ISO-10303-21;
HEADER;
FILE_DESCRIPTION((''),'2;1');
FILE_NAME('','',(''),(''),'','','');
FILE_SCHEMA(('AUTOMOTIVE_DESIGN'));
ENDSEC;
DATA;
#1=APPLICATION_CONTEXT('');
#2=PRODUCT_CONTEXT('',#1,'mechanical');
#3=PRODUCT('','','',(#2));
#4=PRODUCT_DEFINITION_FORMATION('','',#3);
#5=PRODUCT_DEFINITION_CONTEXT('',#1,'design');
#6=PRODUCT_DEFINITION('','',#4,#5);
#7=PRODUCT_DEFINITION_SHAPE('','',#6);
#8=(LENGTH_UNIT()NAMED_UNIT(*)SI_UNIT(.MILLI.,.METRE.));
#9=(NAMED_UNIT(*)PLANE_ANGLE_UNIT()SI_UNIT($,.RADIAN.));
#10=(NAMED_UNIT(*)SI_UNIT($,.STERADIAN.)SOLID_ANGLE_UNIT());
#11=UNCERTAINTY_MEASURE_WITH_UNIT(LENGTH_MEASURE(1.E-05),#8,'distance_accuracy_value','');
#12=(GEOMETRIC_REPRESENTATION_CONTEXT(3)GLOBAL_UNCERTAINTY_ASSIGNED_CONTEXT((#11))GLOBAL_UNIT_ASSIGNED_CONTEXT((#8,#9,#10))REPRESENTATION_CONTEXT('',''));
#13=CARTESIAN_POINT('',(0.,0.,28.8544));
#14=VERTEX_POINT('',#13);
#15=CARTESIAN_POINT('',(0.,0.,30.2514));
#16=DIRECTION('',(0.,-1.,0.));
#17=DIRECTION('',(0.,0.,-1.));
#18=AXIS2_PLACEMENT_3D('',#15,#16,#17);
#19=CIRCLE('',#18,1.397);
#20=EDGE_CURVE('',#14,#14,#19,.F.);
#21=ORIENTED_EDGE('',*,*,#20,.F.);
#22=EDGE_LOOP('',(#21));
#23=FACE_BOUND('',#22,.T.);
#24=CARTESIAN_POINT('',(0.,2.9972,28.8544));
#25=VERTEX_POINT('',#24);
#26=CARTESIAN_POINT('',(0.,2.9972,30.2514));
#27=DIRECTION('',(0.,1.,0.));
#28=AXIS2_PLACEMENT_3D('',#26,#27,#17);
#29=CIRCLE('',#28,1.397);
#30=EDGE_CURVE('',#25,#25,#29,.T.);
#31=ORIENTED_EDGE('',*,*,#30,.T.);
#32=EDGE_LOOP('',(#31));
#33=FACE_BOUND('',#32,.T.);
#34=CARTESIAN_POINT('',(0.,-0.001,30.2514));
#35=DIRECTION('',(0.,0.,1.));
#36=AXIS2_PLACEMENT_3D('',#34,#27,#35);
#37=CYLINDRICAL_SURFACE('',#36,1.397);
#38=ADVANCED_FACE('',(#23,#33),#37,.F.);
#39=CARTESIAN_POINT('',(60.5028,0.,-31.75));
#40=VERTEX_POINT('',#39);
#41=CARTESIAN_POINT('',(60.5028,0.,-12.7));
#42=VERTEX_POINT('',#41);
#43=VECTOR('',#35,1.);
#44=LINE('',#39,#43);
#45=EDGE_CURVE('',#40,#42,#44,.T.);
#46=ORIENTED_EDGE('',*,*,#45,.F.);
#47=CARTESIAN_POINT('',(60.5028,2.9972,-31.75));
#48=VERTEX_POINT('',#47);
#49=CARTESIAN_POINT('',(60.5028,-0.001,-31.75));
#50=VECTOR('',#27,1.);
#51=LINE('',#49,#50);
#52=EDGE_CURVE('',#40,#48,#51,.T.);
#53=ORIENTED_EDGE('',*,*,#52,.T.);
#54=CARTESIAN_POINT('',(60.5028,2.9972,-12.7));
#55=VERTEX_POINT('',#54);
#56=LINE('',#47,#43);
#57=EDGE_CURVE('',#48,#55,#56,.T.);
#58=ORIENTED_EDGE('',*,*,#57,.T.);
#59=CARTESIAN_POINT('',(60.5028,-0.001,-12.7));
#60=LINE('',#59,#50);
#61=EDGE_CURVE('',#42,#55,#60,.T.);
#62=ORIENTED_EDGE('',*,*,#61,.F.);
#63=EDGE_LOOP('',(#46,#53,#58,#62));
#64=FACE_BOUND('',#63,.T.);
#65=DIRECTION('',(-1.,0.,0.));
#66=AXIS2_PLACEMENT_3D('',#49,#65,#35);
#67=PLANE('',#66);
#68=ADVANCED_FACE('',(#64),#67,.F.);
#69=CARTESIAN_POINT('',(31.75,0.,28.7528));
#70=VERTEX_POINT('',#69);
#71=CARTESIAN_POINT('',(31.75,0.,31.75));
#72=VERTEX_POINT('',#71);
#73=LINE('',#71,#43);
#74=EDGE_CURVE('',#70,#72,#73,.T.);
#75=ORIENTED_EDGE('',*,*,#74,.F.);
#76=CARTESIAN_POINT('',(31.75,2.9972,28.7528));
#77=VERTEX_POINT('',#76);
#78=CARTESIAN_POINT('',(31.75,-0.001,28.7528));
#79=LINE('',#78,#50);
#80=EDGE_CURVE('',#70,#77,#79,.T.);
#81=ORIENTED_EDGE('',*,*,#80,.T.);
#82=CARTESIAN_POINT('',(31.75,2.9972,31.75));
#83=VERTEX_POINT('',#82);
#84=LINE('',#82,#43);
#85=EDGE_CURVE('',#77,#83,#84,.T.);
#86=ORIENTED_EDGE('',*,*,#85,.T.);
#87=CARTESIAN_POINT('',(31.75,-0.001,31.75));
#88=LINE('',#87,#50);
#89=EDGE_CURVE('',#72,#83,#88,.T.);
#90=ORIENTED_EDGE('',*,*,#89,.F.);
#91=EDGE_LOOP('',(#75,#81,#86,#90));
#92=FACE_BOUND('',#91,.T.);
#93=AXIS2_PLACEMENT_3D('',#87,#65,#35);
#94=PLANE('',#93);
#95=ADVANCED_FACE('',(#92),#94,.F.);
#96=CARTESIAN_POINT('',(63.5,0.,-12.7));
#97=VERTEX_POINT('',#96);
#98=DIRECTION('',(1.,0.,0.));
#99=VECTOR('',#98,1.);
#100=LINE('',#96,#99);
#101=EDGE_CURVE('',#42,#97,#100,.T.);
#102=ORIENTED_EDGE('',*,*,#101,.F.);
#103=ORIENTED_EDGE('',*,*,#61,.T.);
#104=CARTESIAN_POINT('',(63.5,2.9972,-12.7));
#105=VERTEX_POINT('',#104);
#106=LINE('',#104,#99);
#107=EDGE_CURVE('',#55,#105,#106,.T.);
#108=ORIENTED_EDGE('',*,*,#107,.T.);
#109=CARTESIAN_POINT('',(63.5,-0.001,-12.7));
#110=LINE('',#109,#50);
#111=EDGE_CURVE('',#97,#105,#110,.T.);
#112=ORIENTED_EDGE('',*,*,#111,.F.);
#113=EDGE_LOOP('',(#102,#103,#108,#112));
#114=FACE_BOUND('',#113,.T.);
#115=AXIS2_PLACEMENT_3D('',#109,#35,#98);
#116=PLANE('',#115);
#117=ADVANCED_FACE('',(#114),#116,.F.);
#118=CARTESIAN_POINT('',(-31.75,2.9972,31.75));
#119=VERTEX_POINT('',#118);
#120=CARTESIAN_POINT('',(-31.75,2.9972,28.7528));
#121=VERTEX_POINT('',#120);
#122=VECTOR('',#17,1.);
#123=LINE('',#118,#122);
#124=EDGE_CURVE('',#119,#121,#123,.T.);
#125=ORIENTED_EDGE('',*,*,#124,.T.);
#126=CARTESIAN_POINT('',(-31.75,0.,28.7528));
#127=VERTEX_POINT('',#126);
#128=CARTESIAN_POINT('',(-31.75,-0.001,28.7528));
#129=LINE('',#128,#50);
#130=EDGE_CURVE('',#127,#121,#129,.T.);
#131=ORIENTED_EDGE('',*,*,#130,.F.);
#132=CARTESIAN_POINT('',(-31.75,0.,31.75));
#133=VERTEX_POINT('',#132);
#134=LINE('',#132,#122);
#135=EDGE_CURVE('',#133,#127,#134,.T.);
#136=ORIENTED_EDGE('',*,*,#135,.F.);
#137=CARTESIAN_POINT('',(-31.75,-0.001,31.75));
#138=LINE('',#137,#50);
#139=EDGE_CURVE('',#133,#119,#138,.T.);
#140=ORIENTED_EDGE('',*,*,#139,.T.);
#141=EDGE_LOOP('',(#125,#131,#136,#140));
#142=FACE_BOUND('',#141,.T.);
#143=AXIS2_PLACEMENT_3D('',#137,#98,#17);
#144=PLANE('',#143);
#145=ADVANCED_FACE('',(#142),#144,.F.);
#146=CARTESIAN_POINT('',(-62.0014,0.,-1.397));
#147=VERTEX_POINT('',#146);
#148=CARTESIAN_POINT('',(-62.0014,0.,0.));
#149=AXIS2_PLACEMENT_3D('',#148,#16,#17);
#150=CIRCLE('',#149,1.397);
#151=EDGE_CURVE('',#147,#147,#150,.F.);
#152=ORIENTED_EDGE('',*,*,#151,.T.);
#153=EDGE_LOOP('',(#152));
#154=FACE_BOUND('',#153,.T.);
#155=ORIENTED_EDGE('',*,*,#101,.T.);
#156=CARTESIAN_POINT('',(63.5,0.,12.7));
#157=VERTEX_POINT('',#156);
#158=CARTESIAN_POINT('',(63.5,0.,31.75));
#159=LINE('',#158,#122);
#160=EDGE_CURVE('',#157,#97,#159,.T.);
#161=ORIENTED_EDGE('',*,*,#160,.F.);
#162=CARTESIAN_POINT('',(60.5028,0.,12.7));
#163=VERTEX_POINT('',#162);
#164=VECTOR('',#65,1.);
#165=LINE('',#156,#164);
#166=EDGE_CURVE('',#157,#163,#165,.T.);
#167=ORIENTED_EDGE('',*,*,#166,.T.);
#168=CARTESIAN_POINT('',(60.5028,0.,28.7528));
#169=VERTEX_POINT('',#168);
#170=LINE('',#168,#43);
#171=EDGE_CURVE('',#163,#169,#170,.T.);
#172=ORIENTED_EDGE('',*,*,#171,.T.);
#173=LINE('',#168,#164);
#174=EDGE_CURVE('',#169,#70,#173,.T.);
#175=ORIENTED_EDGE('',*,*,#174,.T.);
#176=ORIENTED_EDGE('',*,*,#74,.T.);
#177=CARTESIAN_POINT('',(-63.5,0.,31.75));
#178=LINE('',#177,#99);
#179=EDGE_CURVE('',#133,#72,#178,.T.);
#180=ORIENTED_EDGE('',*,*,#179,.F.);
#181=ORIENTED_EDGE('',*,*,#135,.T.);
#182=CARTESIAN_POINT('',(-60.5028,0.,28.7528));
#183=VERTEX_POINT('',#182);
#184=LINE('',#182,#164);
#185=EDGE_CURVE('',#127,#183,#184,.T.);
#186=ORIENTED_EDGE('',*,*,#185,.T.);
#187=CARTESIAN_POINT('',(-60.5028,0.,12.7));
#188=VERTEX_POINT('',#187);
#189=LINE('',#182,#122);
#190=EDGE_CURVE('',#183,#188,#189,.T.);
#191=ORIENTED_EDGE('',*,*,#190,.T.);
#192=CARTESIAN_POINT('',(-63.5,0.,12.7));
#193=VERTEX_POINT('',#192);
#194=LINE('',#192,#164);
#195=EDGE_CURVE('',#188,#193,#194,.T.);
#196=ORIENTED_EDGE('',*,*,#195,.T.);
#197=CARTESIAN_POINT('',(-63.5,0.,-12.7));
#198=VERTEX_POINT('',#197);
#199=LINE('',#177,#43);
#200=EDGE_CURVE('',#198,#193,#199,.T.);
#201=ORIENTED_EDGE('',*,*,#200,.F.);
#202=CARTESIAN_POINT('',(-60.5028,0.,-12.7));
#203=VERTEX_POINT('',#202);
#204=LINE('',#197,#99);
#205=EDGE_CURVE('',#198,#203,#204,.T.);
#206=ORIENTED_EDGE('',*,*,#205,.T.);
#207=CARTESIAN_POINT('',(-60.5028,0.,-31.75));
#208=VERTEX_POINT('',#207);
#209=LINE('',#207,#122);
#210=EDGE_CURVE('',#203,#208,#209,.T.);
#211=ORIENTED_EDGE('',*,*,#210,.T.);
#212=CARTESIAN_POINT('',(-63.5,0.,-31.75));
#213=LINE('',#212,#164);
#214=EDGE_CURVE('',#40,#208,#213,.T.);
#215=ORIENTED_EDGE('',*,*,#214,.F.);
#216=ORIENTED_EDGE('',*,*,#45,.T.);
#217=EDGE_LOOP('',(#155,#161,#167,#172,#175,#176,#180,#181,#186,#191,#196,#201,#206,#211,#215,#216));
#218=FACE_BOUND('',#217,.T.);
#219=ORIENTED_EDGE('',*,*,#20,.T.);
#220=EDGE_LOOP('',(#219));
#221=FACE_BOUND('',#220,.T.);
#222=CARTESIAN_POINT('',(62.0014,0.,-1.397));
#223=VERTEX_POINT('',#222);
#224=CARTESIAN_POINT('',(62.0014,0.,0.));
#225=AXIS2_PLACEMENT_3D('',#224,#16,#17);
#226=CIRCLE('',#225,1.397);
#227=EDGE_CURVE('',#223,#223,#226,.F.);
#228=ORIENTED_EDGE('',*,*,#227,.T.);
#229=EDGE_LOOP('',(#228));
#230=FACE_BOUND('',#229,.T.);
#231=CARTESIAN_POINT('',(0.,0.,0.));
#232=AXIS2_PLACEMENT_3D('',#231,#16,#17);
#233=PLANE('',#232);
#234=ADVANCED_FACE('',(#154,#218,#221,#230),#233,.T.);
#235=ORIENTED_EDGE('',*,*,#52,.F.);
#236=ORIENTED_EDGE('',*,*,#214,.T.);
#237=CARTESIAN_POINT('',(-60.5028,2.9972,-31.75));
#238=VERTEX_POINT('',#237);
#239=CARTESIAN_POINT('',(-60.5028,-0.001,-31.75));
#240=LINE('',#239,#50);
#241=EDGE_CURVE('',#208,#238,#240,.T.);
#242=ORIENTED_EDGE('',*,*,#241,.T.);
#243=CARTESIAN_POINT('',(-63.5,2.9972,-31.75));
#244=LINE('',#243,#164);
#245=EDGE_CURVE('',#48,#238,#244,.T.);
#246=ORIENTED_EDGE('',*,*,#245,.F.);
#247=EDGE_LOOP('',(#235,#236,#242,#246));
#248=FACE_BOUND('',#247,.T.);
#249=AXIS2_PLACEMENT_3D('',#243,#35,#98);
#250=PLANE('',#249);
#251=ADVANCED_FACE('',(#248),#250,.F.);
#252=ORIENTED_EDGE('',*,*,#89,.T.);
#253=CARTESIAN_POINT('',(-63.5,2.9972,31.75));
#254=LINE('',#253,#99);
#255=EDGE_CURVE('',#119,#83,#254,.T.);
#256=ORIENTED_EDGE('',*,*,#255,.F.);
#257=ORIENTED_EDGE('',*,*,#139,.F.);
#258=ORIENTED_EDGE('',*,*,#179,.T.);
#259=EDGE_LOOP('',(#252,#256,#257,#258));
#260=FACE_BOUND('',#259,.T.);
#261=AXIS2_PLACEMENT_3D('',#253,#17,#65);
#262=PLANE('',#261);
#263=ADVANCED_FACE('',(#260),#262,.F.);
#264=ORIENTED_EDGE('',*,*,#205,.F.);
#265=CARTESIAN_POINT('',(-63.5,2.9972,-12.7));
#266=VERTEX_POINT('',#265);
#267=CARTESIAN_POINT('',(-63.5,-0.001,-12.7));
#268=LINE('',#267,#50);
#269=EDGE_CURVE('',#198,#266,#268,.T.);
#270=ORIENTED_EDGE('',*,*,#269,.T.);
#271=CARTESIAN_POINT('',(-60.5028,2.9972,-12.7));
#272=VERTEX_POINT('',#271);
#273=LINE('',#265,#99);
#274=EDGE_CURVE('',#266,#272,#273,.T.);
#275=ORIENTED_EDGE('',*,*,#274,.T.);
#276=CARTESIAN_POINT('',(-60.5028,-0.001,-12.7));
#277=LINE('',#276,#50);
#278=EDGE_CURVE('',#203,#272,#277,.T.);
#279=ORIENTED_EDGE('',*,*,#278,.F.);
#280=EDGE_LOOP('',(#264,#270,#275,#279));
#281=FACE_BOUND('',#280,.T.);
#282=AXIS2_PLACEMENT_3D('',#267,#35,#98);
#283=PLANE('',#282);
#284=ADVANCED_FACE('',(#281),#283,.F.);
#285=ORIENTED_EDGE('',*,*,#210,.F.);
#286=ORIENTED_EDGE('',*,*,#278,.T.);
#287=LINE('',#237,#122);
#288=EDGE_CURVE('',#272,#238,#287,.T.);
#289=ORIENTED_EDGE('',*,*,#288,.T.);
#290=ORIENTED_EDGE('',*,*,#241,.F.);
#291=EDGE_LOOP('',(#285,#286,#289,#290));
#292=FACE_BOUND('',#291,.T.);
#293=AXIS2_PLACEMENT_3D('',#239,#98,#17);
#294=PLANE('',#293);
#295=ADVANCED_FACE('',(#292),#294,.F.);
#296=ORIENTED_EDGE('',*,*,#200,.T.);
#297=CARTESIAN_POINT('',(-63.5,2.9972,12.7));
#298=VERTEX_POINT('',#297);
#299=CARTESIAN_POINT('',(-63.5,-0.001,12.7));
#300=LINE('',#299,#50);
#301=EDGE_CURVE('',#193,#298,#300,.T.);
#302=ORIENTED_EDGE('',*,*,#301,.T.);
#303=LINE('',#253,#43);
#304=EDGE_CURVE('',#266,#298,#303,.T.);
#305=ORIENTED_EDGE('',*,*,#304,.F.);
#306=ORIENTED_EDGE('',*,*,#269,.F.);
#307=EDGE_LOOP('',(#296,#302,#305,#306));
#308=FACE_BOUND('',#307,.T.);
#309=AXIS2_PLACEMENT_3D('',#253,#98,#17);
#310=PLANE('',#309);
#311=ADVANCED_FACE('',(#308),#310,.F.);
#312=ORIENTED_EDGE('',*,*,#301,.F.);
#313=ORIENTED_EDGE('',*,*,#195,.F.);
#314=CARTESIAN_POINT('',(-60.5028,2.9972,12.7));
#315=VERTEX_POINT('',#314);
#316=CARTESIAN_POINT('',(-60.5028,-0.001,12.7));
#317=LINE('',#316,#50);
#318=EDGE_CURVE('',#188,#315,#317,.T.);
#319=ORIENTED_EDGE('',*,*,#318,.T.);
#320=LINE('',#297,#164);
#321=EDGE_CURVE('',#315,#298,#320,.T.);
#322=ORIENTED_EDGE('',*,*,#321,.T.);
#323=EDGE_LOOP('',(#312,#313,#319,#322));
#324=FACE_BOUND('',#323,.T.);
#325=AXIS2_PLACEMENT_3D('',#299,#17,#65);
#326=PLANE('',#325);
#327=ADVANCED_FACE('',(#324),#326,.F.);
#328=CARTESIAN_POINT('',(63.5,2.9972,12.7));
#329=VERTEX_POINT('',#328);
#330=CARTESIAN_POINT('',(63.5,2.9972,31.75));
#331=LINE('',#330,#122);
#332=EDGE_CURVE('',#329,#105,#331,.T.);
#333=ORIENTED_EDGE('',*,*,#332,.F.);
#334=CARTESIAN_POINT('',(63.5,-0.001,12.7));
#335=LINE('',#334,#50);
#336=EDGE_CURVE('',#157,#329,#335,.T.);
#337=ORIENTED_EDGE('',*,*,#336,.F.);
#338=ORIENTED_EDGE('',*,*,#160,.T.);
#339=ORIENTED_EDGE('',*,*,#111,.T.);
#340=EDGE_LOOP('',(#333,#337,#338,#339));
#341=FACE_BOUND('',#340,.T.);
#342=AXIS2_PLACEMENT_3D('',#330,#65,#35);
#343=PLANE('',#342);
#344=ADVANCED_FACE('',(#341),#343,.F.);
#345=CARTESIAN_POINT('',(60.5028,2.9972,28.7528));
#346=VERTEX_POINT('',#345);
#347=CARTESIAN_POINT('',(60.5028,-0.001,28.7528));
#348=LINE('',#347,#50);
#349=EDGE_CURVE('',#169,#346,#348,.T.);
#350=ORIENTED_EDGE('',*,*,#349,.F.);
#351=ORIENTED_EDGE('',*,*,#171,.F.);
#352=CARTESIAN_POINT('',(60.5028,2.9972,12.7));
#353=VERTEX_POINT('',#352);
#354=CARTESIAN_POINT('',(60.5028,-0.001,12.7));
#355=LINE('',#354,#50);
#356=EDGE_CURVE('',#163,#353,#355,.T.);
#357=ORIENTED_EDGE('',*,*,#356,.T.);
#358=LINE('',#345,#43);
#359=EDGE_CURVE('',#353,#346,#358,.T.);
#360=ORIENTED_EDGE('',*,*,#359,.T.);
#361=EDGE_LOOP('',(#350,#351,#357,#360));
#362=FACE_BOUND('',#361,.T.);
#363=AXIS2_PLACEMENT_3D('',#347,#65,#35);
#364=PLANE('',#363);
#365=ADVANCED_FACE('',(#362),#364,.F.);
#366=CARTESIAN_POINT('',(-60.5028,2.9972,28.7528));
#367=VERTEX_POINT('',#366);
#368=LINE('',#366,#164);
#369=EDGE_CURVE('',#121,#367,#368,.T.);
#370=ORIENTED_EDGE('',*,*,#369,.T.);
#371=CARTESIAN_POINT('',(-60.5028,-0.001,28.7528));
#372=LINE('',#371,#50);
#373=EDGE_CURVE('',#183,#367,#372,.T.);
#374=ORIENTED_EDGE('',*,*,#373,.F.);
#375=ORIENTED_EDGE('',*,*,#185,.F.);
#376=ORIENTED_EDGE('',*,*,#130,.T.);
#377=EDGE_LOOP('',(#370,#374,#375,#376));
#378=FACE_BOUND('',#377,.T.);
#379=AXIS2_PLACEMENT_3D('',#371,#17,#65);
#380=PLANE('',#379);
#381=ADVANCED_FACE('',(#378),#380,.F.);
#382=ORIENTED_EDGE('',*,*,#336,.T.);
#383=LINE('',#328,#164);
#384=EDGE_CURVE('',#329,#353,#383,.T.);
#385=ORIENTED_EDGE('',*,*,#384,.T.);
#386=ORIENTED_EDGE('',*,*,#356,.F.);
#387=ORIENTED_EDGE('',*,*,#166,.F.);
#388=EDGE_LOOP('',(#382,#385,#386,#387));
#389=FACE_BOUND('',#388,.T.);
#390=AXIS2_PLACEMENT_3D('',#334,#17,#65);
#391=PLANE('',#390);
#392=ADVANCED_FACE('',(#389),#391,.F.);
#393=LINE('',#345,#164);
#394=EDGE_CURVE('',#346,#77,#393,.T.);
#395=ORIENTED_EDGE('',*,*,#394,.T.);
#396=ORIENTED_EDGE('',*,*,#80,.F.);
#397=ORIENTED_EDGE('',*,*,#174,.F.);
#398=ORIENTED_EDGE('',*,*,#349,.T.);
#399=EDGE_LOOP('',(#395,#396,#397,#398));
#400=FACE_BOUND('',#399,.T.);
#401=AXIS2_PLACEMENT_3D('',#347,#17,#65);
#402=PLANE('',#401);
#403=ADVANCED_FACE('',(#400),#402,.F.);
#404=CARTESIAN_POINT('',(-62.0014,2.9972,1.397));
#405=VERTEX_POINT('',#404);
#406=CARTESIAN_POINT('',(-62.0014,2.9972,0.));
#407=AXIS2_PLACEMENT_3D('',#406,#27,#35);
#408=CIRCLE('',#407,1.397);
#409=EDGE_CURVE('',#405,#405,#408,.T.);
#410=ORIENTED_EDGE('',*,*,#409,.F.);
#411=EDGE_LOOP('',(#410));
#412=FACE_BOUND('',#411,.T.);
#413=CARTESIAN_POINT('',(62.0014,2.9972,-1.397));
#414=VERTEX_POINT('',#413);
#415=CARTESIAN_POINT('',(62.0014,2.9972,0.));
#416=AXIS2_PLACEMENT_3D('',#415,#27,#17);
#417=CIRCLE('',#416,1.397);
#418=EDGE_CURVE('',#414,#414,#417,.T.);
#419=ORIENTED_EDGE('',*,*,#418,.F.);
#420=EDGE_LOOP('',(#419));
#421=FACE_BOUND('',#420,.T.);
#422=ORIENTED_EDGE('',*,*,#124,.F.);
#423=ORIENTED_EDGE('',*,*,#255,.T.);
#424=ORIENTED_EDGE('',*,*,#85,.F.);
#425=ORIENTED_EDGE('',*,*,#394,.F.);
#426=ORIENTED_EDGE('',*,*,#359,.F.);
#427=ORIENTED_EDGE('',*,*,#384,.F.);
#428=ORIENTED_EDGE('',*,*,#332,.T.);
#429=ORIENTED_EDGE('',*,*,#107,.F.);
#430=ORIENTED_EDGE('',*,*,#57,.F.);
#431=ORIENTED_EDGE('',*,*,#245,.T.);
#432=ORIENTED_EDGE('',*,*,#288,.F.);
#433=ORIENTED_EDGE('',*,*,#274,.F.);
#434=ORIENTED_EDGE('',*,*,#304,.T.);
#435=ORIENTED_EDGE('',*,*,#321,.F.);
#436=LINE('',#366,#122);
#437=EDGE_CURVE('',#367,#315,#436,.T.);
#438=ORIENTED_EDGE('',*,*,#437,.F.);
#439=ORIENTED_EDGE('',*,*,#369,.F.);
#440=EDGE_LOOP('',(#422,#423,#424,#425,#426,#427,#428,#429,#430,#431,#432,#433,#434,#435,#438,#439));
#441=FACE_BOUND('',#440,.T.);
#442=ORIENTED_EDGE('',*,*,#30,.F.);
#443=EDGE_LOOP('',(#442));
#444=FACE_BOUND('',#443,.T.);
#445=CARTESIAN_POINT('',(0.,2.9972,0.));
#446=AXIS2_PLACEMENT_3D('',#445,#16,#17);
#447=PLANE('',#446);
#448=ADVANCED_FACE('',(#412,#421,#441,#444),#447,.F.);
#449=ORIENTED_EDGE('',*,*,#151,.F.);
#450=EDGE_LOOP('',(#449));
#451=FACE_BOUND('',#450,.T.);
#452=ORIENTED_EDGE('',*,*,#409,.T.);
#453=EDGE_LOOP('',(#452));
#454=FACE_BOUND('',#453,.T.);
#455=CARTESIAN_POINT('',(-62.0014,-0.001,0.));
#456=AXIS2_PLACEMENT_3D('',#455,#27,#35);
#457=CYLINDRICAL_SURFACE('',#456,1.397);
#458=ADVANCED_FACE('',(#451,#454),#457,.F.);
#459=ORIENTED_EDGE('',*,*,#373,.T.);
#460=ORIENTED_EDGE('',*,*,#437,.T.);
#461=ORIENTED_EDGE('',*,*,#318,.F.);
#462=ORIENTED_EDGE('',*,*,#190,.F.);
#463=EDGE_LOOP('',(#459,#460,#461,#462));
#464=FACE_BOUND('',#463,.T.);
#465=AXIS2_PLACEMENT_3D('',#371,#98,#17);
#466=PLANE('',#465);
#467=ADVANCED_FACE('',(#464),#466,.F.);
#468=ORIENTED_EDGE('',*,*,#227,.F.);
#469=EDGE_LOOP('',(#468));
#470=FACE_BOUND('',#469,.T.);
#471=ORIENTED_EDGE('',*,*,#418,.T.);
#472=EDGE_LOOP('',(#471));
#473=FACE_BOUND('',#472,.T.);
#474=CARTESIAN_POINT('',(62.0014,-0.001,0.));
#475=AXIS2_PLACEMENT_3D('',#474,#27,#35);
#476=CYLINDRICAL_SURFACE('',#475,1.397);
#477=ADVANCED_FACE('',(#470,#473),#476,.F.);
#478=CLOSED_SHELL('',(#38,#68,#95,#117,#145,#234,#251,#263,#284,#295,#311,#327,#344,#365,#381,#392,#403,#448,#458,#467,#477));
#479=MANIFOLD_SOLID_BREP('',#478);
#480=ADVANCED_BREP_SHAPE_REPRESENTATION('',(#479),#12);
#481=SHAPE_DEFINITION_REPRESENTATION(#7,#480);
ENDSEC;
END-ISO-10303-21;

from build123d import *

# Parameters (mm, degrees)
SKETCH1_W           = 127
SKETCH1_H           = 63.5
BOSS_EXTRUDE1_DEPTH = 2.9972
CUT_EXTRUDE1_REACH  = 73.058
SKETCH2_R           = 1.397
SKETCH2_W           = 2.9972
SKETCH2_H           = 19.05


with BuildPart() as part:
    # Sketch1 → Boss-Extrude1 (new body)
    with BuildSketch(Plane(origin=(0, 0, 0), x_dir=(1, 0, 0), z_dir=(0, 1, 0))):
        Rectangle(SKETCH1_W, SKETCH1_H)
    extrude(amount=BOSS_EXTRUDE1_DEPTH)

    # Sketch2 → Cut-Extrude1 (cut, up to next)
    with BuildSketch(Plane(origin=(0, 2.9972, 0), x_dir=(1, 0, 0), z_dir=(0, 1, 0)), mode=Mode.PRIVATE) as cut_extrude1_sk1:
        with Locations(Location((0, -30.2514, 0), (0, 0, 90))):
            Circle(SKETCH2_R)
    cut_extrude1_tool1 = extrude(cut_extrude1_sk1.sketch, amount=-CUT_EXTRUDE1_REACH, mode=Mode.PRIVATE) & part.part
    # Sketch2 → Cut-Extrude1 (cut, up to next)
    with BuildSketch(Plane(origin=(0, 2.9972, 0), x_dir=(1, 0, 0), z_dir=(0, 1, 0)), mode=Mode.PRIVATE) as cut_extrude1_sk2:
        with Locations(Location((-62.0014, 0, 0), (0, 0, 270))):
            Circle(SKETCH2_R)
    cut_extrude1_tool2 = extrude(cut_extrude1_sk2.sketch, amount=-CUT_EXTRUDE1_REACH, mode=Mode.PRIVATE) & part.part
    # Sketch2 → Cut-Extrude1 (cut, up to next)
    with BuildSketch(Plane(origin=(0, 2.9972, 0), x_dir=(1, 0, 0), z_dir=(0, 1, 0)), mode=Mode.PRIVATE) as cut_extrude1_sk3:
        with Locations(Location((62.0014, 0, 0), (0, 0, 90))):
            Circle(SKETCH2_R)
    cut_extrude1_tool3 = extrude(cut_extrude1_sk3.sketch, amount=-CUT_EXTRUDE1_REACH, mode=Mode.PRIVATE) & part.part
    # Sketch2 → Cut-Extrude1 (cut, up to next)
    with BuildSketch(Plane(origin=(0, 2.9972, 0), x_dir=(1, 0, 0), z_dir=(0, 1, 0)), mode=Mode.PRIVATE) as cut_extrude1_sk4:
        Polygon((63.5, -31.75), (31.75, -31.75), (31.75, -28.7528), (60.5028, -28.7528), (60.5028, -12.7), (63.5, -12.7), (63.5, -28.7528), align=None)
    cut_extrude1_tool4 = extrude(cut_extrude1_sk4.sketch, amount=-CUT_EXTRUDE1_REACH, mode=Mode.PRIVATE) & part.part
    # Sketch2 → Cut-Extrude1 (cut, up to next)
    with BuildSketch(Plane(origin=(0, 2.9972, 0), x_dir=(1, 0, 0), z_dir=(0, 1, 0)), mode=Mode.PRIVATE) as cut_extrude1_sk5:
        with Locations((-62.0014, 22.225)):
            Rectangle(SKETCH2_W, SKETCH2_H)
    cut_extrude1_tool5 = extrude(cut_extrude1_sk5.sketch, amount=-CUT_EXTRUDE1_REACH, mode=Mode.PRIVATE) & part.part
    # Sketch2 → Cut-Extrude1 (cut, up to next)
    with BuildSketch(Plane(origin=(0, 2.9972, 0), x_dir=(1, 0, 0), z_dir=(0, 1, 0)), mode=Mode.PRIVATE) as cut_extrude1_sk6:
        Polygon((-63.5, -31.75), (-31.75, -31.75), (-31.75, -28.7528), (-60.5028, -28.7528), (-60.5028, -12.7), (-63.5, -12.7), (-63.5, -28.7528), align=None)
    cut_extrude1_tool6 = extrude(cut_extrude1_sk6.sketch, amount=-CUT_EXTRUDE1_REACH, mode=Mode.PRIVATE) & part.part
    # Sketch2 → Cut-Extrude1 (cut, up to next)
    with BuildSketch(Plane(origin=(0, 2.9972, 0), x_dir=(1, 0, 0), z_dir=(0, 1, 0)), mode=Mode.PRIVATE) as cut_extrude1_sk7:
        with Locations((62.0014, 22.225)):
            Rectangle(SKETCH2_W, SKETCH2_H)
    cut_extrude1_tool7 = extrude(cut_extrude1_sk7.sketch, amount=-CUT_EXTRUDE1_REACH, mode=Mode.PRIVATE) & part.part
    add(cut_extrude1_tool1.solids().sort_by_distance((0, 2.9972, 30.2514))[0], mode=Mode.SUBTRACT)
    add(cut_extrude1_tool2.solids().sort_by_distance((-62.0014, 2.9972, 0))[0], mode=Mode.SUBTRACT)
    add(cut_extrude1_tool3.solids().sort_by_distance((62.0014, 2.9972, 0))[0], mode=Mode.SUBTRACT)
    add(cut_extrude1_tool4.solids().sort_by_distance((47.625, 2.9972, 31.379735))[0], mode=Mode.SUBTRACT)
    add(cut_extrude1_tool5.solids().sort_by_distance((-62.0014, 2.9972, -22.225))[0], mode=Mode.SUBTRACT)
    add(cut_extrude1_tool6.solids().sort_by_distance((-47.625, 2.9972, 31.379735))[0], mode=Mode.SUBTRACT)
    add(cut_extrude1_tool7.solids().sort_by_distance((62.0014, 2.9972, -22.225))[0], mode=Mode.SUBTRACT)


solid = part.part
